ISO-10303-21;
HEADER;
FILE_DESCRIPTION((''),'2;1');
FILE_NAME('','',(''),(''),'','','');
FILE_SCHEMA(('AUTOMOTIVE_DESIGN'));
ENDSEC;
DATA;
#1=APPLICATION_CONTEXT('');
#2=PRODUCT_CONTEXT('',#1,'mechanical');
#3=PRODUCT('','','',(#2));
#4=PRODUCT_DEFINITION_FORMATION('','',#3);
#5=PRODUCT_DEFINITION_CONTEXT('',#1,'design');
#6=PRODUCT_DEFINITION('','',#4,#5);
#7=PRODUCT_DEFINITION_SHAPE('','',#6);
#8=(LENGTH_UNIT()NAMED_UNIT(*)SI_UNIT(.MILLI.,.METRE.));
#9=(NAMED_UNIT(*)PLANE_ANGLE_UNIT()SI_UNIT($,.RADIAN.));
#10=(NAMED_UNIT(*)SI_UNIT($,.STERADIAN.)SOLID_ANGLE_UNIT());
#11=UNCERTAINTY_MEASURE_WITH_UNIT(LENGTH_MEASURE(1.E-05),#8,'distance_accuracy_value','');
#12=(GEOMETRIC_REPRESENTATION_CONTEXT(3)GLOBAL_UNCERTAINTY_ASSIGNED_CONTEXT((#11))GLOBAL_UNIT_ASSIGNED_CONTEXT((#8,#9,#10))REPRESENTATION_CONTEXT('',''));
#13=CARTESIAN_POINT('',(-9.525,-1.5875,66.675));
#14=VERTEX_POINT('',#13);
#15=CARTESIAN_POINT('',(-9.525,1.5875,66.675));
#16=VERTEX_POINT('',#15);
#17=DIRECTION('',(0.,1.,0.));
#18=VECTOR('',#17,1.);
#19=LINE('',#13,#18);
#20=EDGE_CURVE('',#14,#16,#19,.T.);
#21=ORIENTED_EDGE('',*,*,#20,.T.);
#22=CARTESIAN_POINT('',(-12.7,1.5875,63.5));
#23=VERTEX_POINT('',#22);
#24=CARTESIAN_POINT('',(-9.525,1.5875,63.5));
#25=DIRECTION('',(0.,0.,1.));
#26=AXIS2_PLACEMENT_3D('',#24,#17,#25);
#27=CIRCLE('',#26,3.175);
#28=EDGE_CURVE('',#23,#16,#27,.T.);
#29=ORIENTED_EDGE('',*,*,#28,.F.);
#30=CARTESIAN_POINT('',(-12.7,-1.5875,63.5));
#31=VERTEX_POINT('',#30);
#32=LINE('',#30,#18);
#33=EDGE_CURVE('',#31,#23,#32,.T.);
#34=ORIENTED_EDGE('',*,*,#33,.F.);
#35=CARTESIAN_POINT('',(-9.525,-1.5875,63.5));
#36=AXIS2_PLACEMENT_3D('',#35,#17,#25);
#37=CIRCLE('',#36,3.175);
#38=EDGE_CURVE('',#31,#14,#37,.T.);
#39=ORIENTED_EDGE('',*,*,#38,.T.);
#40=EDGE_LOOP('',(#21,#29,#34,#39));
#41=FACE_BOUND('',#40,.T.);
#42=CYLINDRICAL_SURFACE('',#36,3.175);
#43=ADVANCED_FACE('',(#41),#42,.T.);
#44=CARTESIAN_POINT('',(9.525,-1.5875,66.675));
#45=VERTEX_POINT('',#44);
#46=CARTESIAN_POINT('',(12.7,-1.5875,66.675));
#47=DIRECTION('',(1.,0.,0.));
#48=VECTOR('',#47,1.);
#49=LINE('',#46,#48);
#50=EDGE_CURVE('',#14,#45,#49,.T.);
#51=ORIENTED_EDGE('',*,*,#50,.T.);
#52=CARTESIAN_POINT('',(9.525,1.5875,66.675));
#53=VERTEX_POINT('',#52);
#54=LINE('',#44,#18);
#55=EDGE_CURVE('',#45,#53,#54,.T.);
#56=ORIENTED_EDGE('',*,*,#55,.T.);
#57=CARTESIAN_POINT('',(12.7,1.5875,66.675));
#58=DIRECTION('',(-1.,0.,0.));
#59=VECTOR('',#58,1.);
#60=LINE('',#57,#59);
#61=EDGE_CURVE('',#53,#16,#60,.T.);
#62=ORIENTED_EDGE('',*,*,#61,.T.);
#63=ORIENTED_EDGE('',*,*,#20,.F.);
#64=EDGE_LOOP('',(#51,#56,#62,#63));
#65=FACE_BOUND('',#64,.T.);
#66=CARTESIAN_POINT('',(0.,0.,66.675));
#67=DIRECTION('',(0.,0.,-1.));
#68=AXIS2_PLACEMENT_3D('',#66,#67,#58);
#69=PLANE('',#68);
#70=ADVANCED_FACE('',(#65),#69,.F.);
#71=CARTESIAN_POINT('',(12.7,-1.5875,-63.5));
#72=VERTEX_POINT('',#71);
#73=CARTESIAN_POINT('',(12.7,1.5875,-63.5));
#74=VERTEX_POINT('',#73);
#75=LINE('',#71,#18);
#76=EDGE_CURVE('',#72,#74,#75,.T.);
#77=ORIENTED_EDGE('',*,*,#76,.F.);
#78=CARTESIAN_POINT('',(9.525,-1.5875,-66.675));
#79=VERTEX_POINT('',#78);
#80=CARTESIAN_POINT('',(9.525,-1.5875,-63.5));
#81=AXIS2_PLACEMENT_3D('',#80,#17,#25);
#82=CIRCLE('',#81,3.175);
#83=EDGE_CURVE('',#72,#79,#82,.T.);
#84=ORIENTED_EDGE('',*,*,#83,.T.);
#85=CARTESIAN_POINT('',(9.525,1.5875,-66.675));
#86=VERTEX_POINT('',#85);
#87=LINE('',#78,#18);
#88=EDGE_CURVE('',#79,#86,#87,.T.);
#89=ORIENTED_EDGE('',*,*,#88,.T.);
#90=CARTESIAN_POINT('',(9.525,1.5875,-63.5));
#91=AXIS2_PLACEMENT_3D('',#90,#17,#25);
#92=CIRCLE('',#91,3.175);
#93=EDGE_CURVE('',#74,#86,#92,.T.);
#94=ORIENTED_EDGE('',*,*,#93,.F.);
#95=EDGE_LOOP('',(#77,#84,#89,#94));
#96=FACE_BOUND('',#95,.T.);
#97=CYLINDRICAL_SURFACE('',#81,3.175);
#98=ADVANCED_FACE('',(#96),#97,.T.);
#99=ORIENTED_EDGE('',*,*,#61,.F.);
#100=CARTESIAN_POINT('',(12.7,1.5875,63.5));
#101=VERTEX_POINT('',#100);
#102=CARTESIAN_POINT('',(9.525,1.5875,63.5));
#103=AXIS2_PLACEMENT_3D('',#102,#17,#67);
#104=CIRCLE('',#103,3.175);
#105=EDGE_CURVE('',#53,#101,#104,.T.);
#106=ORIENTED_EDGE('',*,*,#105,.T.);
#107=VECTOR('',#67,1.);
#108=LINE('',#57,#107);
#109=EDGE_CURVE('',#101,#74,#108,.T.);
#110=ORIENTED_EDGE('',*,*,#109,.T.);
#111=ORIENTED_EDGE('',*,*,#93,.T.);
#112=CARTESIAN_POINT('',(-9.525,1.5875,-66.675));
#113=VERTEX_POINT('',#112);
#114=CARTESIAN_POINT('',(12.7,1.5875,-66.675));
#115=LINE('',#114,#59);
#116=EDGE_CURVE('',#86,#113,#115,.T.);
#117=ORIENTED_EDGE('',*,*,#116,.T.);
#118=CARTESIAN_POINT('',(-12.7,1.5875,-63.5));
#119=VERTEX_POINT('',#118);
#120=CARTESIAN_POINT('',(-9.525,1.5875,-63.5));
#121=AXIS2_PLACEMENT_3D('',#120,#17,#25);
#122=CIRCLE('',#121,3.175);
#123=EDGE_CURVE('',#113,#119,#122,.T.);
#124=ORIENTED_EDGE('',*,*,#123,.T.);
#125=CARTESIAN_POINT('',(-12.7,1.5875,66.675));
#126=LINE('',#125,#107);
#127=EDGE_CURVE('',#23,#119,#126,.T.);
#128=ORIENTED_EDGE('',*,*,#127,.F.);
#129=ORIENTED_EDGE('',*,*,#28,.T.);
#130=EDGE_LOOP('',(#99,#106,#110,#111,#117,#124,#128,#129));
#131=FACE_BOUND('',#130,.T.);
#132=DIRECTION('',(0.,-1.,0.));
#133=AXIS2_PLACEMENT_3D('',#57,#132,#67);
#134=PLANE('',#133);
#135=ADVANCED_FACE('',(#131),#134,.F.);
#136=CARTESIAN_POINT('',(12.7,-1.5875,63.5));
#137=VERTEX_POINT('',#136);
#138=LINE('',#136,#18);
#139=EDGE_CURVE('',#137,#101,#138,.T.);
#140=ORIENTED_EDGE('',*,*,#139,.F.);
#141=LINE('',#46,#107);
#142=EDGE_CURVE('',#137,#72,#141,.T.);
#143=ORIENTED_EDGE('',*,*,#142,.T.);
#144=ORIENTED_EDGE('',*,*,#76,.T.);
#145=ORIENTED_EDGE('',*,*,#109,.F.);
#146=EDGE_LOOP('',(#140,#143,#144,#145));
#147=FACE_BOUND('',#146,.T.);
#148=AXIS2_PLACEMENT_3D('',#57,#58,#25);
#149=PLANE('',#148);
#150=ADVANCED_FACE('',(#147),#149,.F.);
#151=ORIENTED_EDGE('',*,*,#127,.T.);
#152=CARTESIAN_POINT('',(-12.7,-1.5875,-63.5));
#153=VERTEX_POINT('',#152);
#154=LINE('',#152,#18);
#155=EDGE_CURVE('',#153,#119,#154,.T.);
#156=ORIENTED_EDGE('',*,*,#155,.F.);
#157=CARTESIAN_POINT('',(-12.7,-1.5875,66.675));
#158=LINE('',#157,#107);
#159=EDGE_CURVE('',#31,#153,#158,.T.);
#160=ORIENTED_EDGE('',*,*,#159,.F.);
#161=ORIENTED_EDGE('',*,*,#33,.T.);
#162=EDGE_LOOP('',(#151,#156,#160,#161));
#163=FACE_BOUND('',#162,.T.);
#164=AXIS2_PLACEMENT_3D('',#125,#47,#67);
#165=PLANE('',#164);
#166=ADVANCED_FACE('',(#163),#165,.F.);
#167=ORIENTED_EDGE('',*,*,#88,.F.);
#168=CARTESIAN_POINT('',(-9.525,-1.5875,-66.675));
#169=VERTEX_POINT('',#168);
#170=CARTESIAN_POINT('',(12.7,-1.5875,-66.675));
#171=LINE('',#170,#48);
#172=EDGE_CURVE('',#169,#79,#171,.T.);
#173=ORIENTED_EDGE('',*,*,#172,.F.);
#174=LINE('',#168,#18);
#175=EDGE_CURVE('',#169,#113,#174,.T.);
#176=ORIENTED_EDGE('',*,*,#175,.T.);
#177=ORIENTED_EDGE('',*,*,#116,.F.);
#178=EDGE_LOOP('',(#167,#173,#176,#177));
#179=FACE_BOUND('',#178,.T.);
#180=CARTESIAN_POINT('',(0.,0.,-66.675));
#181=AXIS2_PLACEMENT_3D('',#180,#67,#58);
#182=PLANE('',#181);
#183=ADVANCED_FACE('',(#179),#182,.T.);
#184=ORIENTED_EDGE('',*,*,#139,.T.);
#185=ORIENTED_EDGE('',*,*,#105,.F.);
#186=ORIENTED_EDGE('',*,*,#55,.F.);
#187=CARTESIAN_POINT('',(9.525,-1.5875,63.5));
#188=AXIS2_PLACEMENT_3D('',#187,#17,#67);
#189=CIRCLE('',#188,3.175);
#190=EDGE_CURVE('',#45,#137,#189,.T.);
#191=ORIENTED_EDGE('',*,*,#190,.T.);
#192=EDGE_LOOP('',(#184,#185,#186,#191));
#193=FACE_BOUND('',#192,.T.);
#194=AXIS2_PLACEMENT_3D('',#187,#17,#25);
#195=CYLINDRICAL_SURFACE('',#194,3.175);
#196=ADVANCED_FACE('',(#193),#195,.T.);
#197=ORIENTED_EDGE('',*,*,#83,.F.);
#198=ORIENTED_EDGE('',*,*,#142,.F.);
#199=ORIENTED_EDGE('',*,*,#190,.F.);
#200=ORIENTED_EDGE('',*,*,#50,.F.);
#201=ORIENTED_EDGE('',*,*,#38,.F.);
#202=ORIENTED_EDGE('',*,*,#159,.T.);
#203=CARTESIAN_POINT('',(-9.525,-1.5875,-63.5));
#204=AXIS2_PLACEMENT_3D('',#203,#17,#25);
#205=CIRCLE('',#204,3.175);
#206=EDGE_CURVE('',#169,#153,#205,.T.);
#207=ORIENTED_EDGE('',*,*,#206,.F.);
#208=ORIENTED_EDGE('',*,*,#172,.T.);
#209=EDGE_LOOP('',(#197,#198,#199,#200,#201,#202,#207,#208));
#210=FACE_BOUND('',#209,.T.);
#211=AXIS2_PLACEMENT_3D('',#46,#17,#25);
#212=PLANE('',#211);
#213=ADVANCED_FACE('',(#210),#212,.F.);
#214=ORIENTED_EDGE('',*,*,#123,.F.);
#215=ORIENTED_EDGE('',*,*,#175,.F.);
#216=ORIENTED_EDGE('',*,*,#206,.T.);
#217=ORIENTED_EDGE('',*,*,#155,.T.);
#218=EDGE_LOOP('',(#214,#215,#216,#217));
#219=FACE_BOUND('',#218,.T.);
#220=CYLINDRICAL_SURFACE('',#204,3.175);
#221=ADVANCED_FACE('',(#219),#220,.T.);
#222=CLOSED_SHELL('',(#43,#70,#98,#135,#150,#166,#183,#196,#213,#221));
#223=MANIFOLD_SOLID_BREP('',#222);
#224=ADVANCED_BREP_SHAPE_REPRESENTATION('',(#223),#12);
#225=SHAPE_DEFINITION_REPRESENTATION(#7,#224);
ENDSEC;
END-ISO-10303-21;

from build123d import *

# Parameters (mm, degrees)
BOSS_EXTRUDE1_DEPTH      = 66.675
BOSS_EXTRUDE1_DEPTH_BACK = 66.675
SKETCH3_W                = 25.4
SKETCH3_H                = 3.175
SKETCH4_OUTSIDE_W        = 54.556
SKETCH4_OUTSIDE_H        = 162.506
CUT_EXTRUDE1_DEPTH       = 68.947967225


with BuildPart() as part:
    # Sketch3 → Boss-Extrude1 (new, two sides: drawn at the far end of the back side and taken through both)
    with BuildSketch(Plane.XY.offset(-BOSS_EXTRUDE1_DEPTH_BACK)):
        Rectangle(SKETCH3_W, SKETCH3_H)
    extrude(amount=BOSS_EXTRUDE1_DEPTH + BOSS_EXTRUDE1_DEPTH_BACK)

    # Sketch4 outside → Cut-Extrude1 (cut, through all)
    with BuildSketch(Plane(origin=(0, 1.5875, 0), x_dir=(1, 0, 0), z_dir=(0, 1, 0))):
        Rectangle(SKETCH4_OUTSIDE_W, SKETCH4_OUTSIDE_H)
        with BuildLine():
            Line((12.7, -63.5), (12.7, 63.5))
            ThreePointArc((12.7, 63.5), (11.77006403, 65.74506403), (9.525, 66.675))
            Line((9.525, 66.675), (-9.525, 66.675))
            ThreePointArc((-9.525, 66.675), (-11.77006403, 65.74506403), (-12.7, 63.5))
            Line((-12.7, 63.5), (-12.7, -63.5))
            ThreePointArc((-12.7, -63.5), (-11.77006403, -65.74506403), (-9.525, -66.675))
            Line((-9.525, -66.675), (9.525, -66.675))
            ThreePointArc((9.525, -66.675), (11.77006403, -65.74506403), (12.7, -63.5))
        make_face(mode=Mode.SUBTRACT)
    extrude(amount=-CUT_EXTRUDE1_DEPTH, mode=Mode.SUBTRACT)


solid = part.part
